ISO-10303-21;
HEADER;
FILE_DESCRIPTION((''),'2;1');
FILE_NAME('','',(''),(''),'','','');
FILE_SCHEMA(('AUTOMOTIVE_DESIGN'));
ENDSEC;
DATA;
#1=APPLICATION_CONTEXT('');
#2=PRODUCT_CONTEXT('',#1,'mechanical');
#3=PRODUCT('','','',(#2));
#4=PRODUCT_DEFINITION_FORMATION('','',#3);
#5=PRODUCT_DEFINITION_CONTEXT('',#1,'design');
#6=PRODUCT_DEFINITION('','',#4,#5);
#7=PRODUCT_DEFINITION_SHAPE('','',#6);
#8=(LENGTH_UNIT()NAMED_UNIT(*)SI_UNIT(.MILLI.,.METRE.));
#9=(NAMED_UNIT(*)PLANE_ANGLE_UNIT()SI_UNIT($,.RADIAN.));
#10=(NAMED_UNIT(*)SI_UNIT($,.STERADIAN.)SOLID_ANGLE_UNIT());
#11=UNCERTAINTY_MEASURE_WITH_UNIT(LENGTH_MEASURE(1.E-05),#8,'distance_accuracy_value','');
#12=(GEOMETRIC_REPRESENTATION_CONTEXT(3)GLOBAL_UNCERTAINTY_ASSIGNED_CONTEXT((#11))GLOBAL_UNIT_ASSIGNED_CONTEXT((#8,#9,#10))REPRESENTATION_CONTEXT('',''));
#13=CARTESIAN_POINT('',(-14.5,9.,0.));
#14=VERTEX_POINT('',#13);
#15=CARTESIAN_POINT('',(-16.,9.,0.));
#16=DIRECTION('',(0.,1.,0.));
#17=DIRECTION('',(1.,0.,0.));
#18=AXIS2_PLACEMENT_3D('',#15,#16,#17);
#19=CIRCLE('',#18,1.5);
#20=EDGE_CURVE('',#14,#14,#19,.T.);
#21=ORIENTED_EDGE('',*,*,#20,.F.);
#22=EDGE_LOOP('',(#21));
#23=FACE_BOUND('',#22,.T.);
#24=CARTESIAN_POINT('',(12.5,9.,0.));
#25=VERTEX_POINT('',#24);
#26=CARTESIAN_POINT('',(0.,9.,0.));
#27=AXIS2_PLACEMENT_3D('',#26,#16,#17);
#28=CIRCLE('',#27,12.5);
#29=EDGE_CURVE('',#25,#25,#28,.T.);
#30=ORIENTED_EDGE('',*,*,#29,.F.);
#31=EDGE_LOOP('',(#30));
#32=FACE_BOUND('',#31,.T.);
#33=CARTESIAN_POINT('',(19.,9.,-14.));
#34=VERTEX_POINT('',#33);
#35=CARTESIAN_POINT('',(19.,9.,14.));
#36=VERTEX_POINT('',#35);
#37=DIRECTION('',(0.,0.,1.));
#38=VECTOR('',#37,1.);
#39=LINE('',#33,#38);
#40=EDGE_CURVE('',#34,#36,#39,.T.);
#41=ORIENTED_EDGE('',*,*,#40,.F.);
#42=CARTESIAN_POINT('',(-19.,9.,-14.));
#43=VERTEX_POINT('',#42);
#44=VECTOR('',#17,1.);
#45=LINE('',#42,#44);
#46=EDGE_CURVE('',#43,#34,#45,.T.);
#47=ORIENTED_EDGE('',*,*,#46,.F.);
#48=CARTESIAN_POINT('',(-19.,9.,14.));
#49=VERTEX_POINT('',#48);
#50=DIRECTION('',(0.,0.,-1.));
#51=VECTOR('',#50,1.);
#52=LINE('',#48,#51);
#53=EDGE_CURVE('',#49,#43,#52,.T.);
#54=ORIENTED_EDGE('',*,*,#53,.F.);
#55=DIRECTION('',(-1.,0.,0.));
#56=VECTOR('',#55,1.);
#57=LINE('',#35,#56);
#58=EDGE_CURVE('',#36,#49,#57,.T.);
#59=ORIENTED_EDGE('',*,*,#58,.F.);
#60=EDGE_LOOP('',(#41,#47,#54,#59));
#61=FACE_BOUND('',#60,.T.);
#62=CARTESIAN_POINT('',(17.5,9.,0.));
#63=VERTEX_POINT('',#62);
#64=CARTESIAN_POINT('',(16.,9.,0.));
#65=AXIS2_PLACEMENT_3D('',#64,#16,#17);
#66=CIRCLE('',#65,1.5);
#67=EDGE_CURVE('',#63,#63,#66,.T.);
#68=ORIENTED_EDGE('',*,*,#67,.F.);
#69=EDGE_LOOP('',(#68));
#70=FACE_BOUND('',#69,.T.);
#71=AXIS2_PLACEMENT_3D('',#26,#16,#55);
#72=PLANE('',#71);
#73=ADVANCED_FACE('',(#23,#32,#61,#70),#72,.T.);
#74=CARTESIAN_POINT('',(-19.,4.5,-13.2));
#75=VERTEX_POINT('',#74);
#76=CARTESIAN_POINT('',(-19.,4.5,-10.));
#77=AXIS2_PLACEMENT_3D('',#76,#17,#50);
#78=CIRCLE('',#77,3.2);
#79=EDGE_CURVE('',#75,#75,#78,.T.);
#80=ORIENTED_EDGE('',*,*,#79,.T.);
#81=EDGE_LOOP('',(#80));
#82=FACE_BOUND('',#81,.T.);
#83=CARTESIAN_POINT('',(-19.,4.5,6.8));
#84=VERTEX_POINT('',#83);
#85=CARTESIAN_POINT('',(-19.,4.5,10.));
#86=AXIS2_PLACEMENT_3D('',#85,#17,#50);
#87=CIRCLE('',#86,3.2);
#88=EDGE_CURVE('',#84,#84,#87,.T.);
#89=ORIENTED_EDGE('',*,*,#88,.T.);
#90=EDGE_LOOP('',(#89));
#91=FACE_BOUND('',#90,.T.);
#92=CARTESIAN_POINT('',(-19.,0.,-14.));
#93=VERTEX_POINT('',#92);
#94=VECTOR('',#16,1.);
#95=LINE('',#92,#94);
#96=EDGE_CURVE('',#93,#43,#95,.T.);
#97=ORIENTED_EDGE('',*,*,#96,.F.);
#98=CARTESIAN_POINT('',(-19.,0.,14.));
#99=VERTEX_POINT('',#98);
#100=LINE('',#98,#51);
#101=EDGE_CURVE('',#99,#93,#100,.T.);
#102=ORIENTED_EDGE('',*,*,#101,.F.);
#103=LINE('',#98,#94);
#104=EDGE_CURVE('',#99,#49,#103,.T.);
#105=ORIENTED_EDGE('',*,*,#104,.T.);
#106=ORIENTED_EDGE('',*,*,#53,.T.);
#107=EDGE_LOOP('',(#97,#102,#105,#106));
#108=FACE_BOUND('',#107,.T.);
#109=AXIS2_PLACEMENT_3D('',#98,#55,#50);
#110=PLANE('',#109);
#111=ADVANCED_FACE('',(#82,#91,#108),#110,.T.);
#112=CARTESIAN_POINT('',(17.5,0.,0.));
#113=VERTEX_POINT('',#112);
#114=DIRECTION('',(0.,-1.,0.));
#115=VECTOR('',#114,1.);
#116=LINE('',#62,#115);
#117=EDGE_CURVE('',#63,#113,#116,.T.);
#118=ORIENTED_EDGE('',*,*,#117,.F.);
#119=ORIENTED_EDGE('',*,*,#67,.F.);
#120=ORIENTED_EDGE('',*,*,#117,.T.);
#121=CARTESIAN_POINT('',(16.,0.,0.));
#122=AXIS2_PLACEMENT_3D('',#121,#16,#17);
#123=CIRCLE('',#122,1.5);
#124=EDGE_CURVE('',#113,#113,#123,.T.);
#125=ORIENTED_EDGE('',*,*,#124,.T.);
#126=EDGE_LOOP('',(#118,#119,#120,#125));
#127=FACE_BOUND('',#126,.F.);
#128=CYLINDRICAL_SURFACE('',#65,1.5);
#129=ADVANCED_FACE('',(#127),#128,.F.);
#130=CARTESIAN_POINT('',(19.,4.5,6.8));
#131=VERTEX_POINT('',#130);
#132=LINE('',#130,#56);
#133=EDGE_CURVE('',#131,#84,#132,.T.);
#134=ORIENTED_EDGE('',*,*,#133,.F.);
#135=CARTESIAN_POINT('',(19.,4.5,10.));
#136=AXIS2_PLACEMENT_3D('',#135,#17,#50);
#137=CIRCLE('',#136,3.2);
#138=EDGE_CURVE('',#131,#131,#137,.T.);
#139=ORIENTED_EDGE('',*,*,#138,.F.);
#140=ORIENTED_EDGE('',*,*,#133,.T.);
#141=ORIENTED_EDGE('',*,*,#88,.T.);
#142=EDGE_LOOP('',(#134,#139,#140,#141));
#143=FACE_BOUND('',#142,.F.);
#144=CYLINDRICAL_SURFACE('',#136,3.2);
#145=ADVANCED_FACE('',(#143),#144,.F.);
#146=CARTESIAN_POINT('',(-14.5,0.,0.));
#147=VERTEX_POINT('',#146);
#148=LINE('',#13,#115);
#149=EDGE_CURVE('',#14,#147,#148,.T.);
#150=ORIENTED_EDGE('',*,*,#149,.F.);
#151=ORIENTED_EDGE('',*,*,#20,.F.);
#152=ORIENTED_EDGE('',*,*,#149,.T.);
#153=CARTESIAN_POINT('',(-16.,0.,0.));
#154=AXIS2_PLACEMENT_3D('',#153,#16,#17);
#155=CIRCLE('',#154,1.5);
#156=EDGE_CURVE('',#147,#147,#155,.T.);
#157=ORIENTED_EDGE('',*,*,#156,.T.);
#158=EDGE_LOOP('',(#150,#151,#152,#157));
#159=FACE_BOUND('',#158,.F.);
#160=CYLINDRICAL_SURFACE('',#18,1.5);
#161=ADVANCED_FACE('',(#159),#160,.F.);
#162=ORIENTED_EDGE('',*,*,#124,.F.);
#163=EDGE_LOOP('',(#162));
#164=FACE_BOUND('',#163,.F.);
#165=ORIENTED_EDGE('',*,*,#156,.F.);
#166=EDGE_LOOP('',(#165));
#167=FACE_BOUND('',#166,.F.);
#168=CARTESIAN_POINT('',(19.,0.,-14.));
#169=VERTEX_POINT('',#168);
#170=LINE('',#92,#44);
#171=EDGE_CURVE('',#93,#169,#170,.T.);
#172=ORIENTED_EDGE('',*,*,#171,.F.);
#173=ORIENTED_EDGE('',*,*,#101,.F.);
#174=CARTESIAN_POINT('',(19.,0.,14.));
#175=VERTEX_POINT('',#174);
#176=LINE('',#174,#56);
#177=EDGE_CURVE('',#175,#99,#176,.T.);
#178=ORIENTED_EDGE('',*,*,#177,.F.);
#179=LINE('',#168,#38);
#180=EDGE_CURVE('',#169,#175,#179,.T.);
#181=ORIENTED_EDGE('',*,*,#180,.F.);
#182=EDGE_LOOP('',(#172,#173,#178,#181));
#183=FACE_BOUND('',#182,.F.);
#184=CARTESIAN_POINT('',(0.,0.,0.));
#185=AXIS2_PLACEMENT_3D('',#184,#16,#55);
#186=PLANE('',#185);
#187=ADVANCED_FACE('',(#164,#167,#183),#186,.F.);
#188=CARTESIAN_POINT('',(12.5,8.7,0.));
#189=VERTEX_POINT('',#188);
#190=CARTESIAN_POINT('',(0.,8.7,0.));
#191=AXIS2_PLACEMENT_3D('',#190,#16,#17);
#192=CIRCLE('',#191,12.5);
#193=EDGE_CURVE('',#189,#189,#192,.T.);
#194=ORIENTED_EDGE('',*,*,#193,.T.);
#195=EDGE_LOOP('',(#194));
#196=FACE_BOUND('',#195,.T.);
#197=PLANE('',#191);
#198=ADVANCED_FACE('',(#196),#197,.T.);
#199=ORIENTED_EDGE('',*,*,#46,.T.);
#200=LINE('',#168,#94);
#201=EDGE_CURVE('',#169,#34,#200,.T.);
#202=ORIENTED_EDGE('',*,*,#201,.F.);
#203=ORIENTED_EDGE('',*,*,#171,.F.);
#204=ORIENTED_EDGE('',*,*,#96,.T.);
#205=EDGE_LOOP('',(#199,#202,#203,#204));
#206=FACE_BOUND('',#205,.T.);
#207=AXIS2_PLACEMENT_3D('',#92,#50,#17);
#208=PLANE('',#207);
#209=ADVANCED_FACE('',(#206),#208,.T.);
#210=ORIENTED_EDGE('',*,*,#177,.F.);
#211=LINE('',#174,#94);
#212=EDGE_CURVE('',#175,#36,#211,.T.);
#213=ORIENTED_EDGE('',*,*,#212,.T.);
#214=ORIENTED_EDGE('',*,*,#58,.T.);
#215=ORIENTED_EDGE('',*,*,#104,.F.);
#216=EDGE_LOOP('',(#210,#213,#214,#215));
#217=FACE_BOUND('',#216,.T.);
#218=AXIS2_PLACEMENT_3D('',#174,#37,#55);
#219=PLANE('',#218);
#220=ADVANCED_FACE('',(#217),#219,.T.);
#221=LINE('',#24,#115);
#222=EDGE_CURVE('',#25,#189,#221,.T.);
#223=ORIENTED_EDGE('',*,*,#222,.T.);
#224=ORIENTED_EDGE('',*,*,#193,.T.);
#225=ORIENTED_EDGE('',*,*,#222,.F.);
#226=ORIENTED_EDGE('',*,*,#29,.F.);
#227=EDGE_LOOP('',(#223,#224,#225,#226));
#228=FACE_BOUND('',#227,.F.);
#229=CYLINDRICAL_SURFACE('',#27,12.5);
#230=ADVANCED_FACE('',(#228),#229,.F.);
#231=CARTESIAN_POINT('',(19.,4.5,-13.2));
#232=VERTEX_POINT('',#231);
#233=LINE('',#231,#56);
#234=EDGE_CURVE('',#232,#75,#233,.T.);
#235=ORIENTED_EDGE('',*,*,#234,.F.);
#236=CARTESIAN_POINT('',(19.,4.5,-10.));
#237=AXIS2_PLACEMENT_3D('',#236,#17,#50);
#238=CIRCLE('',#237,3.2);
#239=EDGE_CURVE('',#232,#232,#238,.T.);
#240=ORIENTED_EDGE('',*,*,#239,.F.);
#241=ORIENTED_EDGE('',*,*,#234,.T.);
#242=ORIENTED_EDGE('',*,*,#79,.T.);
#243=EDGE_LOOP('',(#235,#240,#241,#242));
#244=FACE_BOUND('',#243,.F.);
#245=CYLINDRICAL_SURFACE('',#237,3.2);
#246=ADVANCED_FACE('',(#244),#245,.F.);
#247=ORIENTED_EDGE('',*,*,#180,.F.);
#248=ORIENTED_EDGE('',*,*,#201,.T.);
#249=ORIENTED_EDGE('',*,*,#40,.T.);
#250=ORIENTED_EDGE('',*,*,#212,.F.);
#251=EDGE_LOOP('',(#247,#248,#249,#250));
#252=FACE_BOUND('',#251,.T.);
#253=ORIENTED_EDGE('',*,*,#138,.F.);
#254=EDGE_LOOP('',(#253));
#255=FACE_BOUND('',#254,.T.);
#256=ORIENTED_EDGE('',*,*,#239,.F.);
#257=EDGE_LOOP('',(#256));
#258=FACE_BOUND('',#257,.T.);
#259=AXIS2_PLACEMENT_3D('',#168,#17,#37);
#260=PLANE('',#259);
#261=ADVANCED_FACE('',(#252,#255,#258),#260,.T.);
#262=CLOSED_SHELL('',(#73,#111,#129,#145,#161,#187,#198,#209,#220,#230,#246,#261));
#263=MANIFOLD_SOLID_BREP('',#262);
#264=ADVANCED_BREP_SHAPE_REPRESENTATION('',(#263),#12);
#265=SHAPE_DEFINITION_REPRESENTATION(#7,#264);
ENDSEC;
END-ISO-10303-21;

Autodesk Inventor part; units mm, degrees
ref_plane "YZ Plane" through (0, 0, 0) normal (1, 0, 0) x (0, 1, 0)
ref_plane "XZ Plane" through (0, 0, 0) normal (0, 1, 0) x (-1, 0, 0)
ref_plane "XY Plane" through (0, 0, 0) normal (0, 0, 1) x (1, 0, 0)
sketch "スケッチ1" plane through (0, 0, 0) normal (0, 1, 0) x (-1, 0, 0)
  line L0 (19, -14) -> (-19, -14)
  line L1 (-19, -14) -> (-19, 14)
  line L2 (-19, 14) -> (19, 14)
  line L3 (19, 14) -> (19, -14)
  line L4 (0, -29.0161) -> (0, 0) construction
  line L5 (0, 0) -> (-35.7009, 0) construction
  dimension "d0" = 28
  dimension "d1" = 38
extrude "押し出し1" add sketch "スケッチ1" along normal blind 9
sketch "スケッチ2" plane through (19, 0, 14) normal (1, 0, 0) x (0, 0, -1)
  circle A0 centre (4, 4.5) radius 3.2
  circle A1 centre (24, 4.5) radius 3.2
  line L0 (14, 0) -> (14, 13.3694) construction
  line L1 (0, 0) -> (28, 0) projected
  dimension "d4" = 6.4
  dimension "d5" = 6.4
  dimension "d6" = 20
  dimension "d7" = 4.5
extrude "押し出し2" cut sketch "スケッチ2" against normal through all
sketch "スケッチ3" plane through (0, 9, 0) normal (0, 1, 0) x (1, 0, 0)
  circle A0 centre (0, 0) radius 12.5
  dimension "d10" = 25
extrude "押し出し3" cut sketch "スケッチ3" against normal blind 0.3
sketch "スケッチ4" plane through (0, 9, 0) normal (0, 1, 0) x (1, 0, 0)
  circle A0 centre (-16, 0) radius 1.5
  circle A1 centre (16, 0) radius 1.5
  line L0 (-19, 14) -> (-19, -14) projected
  line L1 (19, -14) -> (19, 14) projected
  point P0 (0, 0)
  dimension "d13" = 3
  dimension "d14" = 3
  dimension "d15" = 3
  dimension "d16" = 3
extrude "押し出し4" cut sketch "スケッチ4" against normal through all
thread "ねじ1" size "M3x0.5" class "6H" standard "ANSI Metric M Profile" full length
thread "ねじ2" size "M3x0.5" class "6H" standard "ANSI Metric M Profile" full length
properties part number "HayashiProbeHead_sub" material "ステンレス鋼 440C"
